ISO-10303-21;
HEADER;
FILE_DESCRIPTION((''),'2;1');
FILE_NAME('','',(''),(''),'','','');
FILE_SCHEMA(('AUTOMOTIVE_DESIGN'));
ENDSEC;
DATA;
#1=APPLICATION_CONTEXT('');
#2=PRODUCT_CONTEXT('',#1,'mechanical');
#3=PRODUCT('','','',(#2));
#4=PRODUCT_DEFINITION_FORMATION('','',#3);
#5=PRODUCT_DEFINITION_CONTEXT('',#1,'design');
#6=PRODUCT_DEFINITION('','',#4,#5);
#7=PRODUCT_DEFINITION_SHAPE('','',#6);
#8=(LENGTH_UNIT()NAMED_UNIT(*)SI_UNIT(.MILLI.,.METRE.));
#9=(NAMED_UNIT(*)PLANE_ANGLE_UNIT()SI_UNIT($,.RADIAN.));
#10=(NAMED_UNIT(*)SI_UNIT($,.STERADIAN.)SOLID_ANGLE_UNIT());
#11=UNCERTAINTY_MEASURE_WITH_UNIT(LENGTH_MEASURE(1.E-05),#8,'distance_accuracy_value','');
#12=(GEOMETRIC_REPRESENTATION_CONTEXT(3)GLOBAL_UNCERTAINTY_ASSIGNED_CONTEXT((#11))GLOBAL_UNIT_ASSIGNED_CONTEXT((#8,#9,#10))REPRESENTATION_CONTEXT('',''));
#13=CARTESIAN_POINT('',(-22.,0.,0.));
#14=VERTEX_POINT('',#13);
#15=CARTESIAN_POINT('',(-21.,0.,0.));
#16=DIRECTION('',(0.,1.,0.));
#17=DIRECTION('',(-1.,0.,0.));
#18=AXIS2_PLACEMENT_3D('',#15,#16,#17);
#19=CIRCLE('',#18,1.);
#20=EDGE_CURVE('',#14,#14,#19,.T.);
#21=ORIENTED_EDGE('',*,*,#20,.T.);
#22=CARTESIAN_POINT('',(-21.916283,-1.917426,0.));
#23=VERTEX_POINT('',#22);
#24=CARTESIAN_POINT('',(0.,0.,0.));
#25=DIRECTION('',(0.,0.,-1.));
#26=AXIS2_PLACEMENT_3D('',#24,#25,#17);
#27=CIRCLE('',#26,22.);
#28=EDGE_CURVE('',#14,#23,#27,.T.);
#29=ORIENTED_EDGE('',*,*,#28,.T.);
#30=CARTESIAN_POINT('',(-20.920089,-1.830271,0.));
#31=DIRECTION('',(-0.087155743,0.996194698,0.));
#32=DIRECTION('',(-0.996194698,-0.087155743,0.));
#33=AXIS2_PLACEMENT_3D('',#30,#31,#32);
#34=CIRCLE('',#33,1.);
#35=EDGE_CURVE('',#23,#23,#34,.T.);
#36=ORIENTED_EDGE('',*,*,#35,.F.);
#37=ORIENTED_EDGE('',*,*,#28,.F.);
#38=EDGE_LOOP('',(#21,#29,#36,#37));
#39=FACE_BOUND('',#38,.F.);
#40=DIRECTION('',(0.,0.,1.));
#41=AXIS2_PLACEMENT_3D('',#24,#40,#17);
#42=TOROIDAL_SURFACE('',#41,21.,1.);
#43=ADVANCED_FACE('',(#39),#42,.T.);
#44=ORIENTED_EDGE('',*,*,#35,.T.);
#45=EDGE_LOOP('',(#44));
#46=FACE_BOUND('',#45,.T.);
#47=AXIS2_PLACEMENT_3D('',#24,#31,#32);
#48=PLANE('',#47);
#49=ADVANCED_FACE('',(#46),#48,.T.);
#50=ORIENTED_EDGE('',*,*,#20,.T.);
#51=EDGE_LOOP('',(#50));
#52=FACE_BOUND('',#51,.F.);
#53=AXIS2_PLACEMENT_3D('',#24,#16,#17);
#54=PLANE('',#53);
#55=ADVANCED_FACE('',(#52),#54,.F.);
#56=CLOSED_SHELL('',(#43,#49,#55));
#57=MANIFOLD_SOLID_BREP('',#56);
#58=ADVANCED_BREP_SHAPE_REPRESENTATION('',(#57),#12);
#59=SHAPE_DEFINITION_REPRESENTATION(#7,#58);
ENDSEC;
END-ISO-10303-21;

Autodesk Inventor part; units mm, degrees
ref_plane "YZ Plane" through (0, 0, 0) normal (1, 0, 0) x (0, 1, 0)
ref_plane "XZ Plane" through (0, 0, 0) normal (0, 1, 0) x (-1, 0, 0)
ref_plane "XY Plane" through (0, 0, 0) normal (0, 0, 1) x (1, 0, 0)
sketch "Sketch1" plane through (0, 0, 0) normal (0, 1, 0) x (-1, 0, 0)
  circle A0 centre (21, 0) radius 1
  line L0 (0, -1.4) -> (0, 1.4) projected
  point P0 (0, 0)
  dimension "d0" = 2
  dimension "d3" = 21
revolve "Revolution1" add sketch "Sketch1" angle 355 about axis through (0, 0, -10) along (0, 0, -1)
ref_plane "Work Plane1" through (0, 0, 0) normal (0, 0, -1) x (-1, 0, 0)
properties part number "Loop2"
